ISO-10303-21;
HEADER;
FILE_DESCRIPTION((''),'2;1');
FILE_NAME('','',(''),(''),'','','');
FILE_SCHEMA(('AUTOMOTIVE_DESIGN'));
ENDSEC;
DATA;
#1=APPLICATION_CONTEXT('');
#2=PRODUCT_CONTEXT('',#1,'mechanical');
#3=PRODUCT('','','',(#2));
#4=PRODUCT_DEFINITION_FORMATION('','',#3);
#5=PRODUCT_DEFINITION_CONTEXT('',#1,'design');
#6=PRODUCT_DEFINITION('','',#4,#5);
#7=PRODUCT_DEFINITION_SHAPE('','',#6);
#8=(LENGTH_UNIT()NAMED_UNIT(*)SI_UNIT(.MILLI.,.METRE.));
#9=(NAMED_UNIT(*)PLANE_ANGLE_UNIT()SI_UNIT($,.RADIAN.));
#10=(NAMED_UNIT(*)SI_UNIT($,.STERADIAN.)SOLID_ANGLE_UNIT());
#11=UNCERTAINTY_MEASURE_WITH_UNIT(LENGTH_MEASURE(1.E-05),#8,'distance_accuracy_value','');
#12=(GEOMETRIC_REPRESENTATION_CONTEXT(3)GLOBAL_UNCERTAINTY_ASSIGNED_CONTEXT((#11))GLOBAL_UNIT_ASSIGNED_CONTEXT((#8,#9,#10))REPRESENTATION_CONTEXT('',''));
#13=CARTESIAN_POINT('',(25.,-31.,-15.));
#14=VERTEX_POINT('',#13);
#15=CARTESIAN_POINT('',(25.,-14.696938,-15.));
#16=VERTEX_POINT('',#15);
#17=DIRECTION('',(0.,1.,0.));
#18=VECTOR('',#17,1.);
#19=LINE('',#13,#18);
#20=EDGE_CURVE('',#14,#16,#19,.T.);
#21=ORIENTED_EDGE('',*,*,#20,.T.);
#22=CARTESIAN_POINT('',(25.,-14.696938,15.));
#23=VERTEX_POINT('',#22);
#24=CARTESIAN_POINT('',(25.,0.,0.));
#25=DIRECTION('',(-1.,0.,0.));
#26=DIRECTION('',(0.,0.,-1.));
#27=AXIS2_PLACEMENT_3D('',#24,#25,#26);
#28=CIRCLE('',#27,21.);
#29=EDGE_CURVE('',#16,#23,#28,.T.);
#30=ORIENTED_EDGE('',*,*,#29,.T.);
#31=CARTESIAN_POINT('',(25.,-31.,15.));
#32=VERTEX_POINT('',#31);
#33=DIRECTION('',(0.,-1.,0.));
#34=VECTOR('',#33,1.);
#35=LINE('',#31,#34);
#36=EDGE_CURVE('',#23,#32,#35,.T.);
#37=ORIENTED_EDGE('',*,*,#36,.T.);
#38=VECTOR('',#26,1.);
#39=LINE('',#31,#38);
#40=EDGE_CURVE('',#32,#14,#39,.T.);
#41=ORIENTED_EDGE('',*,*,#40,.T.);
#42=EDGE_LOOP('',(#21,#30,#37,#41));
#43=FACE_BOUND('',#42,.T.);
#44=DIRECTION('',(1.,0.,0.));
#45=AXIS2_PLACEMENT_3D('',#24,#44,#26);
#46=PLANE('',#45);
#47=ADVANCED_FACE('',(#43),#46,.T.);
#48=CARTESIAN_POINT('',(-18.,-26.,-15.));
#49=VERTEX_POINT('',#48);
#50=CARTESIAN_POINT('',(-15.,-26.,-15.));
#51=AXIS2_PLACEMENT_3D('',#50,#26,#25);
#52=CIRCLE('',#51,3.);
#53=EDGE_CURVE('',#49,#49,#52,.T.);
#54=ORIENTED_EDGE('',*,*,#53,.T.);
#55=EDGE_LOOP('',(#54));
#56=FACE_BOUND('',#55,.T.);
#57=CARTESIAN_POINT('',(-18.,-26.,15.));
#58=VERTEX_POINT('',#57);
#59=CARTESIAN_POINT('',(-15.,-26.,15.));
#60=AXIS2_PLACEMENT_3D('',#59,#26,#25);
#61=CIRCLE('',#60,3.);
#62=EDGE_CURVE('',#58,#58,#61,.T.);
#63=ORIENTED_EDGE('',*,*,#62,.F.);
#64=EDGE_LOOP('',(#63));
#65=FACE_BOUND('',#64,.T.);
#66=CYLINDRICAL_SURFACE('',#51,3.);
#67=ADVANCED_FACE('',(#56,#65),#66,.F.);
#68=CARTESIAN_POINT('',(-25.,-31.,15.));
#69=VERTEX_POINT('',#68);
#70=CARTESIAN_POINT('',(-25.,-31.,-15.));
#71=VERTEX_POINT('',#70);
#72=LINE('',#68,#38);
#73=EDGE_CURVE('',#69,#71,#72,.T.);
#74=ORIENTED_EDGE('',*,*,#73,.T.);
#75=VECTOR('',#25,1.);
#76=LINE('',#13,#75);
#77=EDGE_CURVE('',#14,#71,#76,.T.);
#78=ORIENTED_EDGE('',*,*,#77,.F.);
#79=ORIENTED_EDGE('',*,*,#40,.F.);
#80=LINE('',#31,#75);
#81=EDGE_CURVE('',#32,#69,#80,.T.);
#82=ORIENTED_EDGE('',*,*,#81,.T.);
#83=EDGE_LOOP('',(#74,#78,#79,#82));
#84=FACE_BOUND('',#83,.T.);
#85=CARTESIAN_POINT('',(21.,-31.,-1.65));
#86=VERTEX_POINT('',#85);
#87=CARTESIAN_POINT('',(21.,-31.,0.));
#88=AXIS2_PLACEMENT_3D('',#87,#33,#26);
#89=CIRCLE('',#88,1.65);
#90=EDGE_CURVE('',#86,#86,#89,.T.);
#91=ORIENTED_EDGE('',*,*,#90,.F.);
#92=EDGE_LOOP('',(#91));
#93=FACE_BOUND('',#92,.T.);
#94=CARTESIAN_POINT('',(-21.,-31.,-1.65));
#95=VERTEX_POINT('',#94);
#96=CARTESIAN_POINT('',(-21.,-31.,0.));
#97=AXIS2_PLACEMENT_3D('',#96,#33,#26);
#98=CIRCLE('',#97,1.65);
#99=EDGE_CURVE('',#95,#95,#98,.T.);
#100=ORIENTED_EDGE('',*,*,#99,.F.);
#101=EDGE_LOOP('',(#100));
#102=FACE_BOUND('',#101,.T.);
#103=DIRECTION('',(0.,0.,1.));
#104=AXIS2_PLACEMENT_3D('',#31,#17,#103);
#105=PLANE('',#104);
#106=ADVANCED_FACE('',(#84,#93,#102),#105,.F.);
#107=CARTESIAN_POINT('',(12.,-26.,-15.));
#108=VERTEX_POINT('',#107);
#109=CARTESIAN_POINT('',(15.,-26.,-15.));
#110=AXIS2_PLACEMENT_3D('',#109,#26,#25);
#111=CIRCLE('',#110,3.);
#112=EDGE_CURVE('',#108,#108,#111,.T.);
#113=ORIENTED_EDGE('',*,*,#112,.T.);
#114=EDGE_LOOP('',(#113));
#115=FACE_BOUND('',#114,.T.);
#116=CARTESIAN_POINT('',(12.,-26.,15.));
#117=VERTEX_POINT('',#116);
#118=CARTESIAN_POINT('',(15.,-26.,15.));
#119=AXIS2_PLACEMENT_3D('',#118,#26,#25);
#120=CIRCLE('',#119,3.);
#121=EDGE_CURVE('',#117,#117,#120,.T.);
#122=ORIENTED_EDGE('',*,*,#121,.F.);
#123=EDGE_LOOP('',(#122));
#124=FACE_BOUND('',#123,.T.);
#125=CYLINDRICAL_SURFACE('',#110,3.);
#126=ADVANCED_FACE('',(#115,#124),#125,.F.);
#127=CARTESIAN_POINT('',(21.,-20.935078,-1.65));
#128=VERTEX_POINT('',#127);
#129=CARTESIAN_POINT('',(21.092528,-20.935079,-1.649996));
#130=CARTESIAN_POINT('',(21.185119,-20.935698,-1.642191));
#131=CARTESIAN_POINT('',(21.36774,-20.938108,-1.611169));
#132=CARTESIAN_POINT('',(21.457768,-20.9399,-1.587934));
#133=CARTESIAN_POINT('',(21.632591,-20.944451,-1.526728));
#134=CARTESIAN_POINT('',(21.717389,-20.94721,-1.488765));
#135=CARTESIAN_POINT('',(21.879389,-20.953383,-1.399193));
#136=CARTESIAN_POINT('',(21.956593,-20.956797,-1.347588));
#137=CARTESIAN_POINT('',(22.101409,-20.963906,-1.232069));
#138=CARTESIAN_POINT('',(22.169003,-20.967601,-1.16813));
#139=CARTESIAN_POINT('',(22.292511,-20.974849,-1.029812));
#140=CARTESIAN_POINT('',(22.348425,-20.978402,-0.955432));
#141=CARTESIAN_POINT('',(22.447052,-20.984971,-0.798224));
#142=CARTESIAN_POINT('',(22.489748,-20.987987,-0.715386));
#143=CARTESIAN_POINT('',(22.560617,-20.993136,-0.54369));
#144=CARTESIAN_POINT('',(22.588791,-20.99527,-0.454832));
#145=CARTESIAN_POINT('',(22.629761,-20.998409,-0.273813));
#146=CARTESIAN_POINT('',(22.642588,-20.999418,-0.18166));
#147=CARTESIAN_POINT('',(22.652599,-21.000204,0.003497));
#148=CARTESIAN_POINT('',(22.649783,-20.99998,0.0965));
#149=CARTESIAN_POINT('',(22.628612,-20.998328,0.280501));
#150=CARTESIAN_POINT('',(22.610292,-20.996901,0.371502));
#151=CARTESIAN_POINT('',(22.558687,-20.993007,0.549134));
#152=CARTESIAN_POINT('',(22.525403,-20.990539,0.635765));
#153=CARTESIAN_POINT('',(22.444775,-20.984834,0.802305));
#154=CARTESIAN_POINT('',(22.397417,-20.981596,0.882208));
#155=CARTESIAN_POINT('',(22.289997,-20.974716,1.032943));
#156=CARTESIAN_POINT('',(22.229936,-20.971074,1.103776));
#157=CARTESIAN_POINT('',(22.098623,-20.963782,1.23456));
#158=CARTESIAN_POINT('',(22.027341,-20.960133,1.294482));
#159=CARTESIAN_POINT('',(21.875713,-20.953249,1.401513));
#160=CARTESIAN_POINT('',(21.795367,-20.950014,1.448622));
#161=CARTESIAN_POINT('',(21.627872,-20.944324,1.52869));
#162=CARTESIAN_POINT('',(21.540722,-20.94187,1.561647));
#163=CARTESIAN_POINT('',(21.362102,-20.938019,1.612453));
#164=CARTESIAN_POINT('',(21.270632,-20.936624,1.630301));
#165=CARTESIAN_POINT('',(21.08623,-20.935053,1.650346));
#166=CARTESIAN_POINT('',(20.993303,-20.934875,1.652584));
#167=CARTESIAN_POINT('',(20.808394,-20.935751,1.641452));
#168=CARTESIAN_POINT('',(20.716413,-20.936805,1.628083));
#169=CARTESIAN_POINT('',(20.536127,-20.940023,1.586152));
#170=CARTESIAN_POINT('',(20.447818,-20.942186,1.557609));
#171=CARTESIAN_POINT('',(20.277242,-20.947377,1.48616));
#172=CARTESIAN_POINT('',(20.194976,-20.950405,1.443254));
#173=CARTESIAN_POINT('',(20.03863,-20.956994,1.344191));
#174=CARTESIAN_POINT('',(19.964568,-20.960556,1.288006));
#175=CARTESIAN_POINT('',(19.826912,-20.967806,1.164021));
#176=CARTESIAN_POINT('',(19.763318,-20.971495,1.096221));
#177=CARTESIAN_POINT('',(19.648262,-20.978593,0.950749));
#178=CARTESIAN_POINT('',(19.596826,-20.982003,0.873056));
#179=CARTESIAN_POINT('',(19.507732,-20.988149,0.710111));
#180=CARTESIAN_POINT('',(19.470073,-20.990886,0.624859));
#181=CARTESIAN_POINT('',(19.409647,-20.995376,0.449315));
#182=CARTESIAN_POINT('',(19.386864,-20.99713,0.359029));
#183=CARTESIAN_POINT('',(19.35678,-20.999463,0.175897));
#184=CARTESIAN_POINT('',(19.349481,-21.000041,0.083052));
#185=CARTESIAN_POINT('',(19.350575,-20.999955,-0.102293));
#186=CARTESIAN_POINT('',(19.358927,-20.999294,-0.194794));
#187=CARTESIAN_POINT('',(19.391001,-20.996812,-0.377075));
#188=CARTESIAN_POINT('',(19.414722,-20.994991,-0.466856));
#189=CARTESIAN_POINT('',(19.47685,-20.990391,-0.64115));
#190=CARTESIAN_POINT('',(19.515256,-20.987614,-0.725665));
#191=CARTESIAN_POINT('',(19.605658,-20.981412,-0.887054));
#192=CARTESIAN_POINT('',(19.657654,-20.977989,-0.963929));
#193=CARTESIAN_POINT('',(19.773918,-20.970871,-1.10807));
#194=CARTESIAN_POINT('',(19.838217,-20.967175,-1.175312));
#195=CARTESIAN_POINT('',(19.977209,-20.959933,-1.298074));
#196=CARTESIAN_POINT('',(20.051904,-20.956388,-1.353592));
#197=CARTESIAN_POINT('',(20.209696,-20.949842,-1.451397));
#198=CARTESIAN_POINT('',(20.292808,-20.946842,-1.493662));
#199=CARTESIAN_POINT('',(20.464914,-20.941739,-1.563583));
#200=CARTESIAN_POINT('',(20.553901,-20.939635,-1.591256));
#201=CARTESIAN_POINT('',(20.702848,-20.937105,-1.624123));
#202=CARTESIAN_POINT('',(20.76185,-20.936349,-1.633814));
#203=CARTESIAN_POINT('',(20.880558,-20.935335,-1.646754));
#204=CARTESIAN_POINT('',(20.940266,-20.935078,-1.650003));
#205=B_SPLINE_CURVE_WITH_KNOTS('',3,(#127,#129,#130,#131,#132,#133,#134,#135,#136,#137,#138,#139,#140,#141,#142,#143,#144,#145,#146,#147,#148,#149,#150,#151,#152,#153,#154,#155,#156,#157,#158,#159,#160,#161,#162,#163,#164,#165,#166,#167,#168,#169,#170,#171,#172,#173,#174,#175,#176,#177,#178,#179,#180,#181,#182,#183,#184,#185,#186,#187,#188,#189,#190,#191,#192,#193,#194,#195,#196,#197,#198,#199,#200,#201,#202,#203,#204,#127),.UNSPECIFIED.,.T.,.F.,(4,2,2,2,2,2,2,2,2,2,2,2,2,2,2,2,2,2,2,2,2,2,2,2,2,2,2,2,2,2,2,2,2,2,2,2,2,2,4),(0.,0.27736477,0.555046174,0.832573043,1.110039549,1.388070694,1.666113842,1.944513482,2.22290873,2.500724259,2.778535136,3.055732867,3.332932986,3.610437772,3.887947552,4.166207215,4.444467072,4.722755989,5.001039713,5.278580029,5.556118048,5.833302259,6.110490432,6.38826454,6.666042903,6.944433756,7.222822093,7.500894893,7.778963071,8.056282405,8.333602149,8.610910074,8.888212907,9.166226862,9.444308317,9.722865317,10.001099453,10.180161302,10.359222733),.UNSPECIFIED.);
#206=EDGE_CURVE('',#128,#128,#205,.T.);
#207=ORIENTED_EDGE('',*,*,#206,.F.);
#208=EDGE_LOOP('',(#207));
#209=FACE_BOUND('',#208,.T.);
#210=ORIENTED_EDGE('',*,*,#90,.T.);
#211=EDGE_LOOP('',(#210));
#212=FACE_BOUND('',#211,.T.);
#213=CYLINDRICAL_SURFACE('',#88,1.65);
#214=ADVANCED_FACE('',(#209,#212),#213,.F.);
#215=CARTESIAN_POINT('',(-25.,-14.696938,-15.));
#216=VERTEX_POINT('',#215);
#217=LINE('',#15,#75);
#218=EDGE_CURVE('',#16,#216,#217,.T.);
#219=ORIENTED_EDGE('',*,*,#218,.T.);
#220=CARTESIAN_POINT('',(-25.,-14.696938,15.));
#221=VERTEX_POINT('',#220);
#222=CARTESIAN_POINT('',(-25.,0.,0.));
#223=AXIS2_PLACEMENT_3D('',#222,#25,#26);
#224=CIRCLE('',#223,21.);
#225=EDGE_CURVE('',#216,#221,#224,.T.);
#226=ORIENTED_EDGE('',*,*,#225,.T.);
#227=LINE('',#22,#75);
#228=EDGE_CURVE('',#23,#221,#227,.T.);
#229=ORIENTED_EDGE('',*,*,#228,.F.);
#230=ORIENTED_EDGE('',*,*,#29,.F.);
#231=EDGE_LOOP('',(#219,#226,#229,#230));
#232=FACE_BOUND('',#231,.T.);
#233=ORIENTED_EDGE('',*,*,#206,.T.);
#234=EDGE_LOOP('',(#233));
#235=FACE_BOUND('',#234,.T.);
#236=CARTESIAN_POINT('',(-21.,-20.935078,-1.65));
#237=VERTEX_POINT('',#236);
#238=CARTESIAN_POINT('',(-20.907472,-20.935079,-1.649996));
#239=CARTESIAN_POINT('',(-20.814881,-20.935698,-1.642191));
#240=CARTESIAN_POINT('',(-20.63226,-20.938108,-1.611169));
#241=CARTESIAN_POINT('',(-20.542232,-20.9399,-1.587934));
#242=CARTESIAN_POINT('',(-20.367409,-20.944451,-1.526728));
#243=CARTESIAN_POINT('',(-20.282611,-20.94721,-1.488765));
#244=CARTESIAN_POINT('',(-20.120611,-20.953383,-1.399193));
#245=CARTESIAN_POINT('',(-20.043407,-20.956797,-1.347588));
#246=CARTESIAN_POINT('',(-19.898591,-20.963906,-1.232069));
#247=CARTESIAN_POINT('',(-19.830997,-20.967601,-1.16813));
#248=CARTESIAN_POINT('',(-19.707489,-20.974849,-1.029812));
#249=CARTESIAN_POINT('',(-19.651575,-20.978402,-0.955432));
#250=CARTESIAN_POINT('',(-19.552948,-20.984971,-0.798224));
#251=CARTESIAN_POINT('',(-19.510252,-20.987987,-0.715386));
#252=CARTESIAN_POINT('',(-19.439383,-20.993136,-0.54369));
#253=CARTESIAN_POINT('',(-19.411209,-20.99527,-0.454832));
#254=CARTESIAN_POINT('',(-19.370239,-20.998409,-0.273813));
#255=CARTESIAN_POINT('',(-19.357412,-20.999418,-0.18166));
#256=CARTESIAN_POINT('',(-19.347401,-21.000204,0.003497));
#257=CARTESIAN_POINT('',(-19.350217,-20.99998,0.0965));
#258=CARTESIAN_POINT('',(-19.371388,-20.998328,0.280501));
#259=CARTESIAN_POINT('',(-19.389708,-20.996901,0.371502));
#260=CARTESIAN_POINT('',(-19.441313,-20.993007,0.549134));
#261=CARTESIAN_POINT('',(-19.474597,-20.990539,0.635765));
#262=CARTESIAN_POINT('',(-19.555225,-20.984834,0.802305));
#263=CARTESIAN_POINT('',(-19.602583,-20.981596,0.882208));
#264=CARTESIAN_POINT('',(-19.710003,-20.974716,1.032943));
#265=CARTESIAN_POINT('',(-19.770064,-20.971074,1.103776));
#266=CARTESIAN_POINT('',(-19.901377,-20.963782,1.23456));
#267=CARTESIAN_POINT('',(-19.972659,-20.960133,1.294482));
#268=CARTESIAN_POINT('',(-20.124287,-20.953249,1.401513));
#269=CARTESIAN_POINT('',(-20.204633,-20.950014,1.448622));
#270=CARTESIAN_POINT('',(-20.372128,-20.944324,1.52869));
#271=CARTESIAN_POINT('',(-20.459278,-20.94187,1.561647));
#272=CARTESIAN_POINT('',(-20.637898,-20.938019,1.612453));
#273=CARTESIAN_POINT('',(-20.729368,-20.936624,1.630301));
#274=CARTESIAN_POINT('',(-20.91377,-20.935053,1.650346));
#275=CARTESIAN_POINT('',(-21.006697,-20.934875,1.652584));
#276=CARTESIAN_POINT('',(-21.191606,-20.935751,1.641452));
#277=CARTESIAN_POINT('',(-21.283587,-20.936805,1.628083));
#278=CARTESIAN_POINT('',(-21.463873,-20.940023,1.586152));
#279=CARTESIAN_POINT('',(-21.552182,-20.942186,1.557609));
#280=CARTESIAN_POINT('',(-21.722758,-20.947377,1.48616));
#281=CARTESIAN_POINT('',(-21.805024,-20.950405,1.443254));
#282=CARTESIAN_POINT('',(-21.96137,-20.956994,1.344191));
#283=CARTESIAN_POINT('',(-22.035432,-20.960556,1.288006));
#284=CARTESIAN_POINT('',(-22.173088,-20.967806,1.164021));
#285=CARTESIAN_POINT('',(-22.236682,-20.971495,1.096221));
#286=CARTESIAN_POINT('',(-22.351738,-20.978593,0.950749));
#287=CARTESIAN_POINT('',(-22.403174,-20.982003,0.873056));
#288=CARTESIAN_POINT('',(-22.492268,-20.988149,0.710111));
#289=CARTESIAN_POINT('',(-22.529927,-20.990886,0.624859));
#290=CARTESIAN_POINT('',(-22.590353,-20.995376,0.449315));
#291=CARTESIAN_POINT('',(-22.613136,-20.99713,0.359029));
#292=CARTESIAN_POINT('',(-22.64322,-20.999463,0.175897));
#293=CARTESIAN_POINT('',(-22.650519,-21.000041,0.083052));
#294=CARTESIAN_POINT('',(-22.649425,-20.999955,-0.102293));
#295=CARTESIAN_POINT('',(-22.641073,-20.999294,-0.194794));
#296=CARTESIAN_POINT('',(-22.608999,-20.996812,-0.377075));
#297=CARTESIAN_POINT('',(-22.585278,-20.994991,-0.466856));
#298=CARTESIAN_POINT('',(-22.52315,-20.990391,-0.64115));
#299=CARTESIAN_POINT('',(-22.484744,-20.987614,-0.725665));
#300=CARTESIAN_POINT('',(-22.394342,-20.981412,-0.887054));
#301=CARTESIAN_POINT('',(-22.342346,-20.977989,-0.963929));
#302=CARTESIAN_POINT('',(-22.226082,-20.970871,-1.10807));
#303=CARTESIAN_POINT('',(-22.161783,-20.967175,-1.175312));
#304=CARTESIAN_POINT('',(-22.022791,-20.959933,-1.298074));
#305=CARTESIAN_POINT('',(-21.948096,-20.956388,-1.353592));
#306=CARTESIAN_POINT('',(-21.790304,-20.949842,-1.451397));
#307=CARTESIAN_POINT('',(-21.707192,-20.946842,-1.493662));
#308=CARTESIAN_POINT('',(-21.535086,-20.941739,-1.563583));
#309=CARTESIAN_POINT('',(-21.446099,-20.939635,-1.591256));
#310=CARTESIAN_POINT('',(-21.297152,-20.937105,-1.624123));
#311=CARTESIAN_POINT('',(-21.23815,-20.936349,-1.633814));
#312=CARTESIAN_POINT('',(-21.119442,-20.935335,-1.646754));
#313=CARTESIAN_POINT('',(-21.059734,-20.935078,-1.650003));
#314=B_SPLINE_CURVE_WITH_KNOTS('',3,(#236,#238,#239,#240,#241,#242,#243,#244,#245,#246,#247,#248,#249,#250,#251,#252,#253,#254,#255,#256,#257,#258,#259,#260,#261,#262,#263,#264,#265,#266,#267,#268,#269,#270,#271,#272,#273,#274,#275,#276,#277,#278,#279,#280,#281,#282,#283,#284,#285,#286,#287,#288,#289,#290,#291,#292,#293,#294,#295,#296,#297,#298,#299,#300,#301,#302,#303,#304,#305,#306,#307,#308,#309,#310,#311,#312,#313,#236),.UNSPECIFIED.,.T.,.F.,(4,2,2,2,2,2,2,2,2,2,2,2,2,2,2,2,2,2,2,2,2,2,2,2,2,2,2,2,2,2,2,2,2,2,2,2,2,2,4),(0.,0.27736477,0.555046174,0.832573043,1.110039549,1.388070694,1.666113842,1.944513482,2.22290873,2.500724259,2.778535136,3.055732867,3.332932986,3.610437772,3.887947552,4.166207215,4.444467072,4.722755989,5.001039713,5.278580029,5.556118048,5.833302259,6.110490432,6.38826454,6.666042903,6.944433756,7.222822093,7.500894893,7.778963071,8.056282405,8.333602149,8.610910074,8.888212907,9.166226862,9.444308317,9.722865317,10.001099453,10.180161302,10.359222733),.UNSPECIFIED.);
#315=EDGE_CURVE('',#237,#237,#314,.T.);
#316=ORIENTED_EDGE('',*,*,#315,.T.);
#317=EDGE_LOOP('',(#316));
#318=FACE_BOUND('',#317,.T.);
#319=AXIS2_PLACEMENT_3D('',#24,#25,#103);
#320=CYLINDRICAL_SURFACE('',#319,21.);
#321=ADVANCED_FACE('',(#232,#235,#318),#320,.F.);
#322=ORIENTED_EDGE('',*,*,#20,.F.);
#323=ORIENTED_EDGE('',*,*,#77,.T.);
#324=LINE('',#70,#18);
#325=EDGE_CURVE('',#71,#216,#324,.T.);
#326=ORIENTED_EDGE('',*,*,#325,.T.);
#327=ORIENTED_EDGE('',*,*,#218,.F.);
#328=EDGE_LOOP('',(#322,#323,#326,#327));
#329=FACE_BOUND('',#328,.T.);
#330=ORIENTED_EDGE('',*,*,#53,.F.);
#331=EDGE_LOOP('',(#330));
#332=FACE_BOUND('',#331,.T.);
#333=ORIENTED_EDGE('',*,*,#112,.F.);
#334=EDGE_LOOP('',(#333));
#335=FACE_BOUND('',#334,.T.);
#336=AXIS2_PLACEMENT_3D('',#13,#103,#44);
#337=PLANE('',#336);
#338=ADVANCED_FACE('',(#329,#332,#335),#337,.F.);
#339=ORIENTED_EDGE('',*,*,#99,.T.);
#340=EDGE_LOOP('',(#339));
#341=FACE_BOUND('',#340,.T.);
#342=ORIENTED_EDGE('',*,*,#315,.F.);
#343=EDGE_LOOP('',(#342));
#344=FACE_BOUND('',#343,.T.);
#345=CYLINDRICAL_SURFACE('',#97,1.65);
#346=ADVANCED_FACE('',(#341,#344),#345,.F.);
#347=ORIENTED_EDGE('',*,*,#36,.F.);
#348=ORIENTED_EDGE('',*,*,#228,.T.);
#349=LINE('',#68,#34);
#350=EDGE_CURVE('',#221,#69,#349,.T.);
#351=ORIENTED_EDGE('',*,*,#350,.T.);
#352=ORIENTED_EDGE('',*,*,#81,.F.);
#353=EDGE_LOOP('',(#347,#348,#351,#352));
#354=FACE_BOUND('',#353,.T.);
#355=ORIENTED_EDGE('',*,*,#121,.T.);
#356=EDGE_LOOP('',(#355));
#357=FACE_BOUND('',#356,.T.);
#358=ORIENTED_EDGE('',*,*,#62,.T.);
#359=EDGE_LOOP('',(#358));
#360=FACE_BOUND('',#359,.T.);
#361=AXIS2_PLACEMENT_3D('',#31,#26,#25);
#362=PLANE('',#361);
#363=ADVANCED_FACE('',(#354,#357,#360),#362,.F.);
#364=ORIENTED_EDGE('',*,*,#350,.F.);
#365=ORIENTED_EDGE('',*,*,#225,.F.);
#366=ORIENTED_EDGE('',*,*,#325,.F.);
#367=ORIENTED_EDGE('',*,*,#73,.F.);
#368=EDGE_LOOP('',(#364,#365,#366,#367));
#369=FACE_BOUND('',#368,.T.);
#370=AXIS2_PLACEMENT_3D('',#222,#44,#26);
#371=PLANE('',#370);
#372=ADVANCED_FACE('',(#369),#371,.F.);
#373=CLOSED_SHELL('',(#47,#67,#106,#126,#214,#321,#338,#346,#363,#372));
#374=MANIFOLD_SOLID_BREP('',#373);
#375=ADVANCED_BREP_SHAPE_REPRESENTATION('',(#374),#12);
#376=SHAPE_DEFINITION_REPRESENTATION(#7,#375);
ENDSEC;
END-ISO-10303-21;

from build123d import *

# Parameters (mm, degrees)
EXTRUDE_1_DEPTH       = 25
HOLE_WIZARD_6_0_6_1_D = 6
HOLE_WIZARD_M4_1_D    = 3.3


with BuildPart() as part:
    # 草图1 → 凸台-拉伸1 (new, symmetric)
    with BuildSketch(Plane(origin=(0, 0, 0), x_dir=(0, 0, -1), z_dir=(1, 0, 0))):
        with BuildLine():
            Line((-15, -31), (15, -31))
            Line((15, -31), (15, -14.696938457))
            ThreePointArc((15, -14.696938457), (0, -21), (-15, -14.696938457))
            Line((-15, -14.696938457), (-15, -31))
        make_face()
    extrude(amount=EXTRUDE_1_DEPTH, both=True)

    # Ø6.0 (6) 直径孔1 (through all)
    with Locations(Plane(origin=(0, 0, -15), x_dir=(-1, 0, 0), z_dir=(0, 0, -1))):
        with Locations((-15, -26), (15, -26)):
            Hole(HOLE_WIZARD_6_0_6_1_D / 2)

    # M4 螺纹孔1 (through all)
    with Locations(Plane(origin=(0, -31, 0), x_dir=(-1, 0, 0), z_dir=(0, -1, 0))):
        with Locations((-21, 0), (21, 0)):
            Hole(HOLE_WIZARD_M4_1_D / 2)


solid = part.part
